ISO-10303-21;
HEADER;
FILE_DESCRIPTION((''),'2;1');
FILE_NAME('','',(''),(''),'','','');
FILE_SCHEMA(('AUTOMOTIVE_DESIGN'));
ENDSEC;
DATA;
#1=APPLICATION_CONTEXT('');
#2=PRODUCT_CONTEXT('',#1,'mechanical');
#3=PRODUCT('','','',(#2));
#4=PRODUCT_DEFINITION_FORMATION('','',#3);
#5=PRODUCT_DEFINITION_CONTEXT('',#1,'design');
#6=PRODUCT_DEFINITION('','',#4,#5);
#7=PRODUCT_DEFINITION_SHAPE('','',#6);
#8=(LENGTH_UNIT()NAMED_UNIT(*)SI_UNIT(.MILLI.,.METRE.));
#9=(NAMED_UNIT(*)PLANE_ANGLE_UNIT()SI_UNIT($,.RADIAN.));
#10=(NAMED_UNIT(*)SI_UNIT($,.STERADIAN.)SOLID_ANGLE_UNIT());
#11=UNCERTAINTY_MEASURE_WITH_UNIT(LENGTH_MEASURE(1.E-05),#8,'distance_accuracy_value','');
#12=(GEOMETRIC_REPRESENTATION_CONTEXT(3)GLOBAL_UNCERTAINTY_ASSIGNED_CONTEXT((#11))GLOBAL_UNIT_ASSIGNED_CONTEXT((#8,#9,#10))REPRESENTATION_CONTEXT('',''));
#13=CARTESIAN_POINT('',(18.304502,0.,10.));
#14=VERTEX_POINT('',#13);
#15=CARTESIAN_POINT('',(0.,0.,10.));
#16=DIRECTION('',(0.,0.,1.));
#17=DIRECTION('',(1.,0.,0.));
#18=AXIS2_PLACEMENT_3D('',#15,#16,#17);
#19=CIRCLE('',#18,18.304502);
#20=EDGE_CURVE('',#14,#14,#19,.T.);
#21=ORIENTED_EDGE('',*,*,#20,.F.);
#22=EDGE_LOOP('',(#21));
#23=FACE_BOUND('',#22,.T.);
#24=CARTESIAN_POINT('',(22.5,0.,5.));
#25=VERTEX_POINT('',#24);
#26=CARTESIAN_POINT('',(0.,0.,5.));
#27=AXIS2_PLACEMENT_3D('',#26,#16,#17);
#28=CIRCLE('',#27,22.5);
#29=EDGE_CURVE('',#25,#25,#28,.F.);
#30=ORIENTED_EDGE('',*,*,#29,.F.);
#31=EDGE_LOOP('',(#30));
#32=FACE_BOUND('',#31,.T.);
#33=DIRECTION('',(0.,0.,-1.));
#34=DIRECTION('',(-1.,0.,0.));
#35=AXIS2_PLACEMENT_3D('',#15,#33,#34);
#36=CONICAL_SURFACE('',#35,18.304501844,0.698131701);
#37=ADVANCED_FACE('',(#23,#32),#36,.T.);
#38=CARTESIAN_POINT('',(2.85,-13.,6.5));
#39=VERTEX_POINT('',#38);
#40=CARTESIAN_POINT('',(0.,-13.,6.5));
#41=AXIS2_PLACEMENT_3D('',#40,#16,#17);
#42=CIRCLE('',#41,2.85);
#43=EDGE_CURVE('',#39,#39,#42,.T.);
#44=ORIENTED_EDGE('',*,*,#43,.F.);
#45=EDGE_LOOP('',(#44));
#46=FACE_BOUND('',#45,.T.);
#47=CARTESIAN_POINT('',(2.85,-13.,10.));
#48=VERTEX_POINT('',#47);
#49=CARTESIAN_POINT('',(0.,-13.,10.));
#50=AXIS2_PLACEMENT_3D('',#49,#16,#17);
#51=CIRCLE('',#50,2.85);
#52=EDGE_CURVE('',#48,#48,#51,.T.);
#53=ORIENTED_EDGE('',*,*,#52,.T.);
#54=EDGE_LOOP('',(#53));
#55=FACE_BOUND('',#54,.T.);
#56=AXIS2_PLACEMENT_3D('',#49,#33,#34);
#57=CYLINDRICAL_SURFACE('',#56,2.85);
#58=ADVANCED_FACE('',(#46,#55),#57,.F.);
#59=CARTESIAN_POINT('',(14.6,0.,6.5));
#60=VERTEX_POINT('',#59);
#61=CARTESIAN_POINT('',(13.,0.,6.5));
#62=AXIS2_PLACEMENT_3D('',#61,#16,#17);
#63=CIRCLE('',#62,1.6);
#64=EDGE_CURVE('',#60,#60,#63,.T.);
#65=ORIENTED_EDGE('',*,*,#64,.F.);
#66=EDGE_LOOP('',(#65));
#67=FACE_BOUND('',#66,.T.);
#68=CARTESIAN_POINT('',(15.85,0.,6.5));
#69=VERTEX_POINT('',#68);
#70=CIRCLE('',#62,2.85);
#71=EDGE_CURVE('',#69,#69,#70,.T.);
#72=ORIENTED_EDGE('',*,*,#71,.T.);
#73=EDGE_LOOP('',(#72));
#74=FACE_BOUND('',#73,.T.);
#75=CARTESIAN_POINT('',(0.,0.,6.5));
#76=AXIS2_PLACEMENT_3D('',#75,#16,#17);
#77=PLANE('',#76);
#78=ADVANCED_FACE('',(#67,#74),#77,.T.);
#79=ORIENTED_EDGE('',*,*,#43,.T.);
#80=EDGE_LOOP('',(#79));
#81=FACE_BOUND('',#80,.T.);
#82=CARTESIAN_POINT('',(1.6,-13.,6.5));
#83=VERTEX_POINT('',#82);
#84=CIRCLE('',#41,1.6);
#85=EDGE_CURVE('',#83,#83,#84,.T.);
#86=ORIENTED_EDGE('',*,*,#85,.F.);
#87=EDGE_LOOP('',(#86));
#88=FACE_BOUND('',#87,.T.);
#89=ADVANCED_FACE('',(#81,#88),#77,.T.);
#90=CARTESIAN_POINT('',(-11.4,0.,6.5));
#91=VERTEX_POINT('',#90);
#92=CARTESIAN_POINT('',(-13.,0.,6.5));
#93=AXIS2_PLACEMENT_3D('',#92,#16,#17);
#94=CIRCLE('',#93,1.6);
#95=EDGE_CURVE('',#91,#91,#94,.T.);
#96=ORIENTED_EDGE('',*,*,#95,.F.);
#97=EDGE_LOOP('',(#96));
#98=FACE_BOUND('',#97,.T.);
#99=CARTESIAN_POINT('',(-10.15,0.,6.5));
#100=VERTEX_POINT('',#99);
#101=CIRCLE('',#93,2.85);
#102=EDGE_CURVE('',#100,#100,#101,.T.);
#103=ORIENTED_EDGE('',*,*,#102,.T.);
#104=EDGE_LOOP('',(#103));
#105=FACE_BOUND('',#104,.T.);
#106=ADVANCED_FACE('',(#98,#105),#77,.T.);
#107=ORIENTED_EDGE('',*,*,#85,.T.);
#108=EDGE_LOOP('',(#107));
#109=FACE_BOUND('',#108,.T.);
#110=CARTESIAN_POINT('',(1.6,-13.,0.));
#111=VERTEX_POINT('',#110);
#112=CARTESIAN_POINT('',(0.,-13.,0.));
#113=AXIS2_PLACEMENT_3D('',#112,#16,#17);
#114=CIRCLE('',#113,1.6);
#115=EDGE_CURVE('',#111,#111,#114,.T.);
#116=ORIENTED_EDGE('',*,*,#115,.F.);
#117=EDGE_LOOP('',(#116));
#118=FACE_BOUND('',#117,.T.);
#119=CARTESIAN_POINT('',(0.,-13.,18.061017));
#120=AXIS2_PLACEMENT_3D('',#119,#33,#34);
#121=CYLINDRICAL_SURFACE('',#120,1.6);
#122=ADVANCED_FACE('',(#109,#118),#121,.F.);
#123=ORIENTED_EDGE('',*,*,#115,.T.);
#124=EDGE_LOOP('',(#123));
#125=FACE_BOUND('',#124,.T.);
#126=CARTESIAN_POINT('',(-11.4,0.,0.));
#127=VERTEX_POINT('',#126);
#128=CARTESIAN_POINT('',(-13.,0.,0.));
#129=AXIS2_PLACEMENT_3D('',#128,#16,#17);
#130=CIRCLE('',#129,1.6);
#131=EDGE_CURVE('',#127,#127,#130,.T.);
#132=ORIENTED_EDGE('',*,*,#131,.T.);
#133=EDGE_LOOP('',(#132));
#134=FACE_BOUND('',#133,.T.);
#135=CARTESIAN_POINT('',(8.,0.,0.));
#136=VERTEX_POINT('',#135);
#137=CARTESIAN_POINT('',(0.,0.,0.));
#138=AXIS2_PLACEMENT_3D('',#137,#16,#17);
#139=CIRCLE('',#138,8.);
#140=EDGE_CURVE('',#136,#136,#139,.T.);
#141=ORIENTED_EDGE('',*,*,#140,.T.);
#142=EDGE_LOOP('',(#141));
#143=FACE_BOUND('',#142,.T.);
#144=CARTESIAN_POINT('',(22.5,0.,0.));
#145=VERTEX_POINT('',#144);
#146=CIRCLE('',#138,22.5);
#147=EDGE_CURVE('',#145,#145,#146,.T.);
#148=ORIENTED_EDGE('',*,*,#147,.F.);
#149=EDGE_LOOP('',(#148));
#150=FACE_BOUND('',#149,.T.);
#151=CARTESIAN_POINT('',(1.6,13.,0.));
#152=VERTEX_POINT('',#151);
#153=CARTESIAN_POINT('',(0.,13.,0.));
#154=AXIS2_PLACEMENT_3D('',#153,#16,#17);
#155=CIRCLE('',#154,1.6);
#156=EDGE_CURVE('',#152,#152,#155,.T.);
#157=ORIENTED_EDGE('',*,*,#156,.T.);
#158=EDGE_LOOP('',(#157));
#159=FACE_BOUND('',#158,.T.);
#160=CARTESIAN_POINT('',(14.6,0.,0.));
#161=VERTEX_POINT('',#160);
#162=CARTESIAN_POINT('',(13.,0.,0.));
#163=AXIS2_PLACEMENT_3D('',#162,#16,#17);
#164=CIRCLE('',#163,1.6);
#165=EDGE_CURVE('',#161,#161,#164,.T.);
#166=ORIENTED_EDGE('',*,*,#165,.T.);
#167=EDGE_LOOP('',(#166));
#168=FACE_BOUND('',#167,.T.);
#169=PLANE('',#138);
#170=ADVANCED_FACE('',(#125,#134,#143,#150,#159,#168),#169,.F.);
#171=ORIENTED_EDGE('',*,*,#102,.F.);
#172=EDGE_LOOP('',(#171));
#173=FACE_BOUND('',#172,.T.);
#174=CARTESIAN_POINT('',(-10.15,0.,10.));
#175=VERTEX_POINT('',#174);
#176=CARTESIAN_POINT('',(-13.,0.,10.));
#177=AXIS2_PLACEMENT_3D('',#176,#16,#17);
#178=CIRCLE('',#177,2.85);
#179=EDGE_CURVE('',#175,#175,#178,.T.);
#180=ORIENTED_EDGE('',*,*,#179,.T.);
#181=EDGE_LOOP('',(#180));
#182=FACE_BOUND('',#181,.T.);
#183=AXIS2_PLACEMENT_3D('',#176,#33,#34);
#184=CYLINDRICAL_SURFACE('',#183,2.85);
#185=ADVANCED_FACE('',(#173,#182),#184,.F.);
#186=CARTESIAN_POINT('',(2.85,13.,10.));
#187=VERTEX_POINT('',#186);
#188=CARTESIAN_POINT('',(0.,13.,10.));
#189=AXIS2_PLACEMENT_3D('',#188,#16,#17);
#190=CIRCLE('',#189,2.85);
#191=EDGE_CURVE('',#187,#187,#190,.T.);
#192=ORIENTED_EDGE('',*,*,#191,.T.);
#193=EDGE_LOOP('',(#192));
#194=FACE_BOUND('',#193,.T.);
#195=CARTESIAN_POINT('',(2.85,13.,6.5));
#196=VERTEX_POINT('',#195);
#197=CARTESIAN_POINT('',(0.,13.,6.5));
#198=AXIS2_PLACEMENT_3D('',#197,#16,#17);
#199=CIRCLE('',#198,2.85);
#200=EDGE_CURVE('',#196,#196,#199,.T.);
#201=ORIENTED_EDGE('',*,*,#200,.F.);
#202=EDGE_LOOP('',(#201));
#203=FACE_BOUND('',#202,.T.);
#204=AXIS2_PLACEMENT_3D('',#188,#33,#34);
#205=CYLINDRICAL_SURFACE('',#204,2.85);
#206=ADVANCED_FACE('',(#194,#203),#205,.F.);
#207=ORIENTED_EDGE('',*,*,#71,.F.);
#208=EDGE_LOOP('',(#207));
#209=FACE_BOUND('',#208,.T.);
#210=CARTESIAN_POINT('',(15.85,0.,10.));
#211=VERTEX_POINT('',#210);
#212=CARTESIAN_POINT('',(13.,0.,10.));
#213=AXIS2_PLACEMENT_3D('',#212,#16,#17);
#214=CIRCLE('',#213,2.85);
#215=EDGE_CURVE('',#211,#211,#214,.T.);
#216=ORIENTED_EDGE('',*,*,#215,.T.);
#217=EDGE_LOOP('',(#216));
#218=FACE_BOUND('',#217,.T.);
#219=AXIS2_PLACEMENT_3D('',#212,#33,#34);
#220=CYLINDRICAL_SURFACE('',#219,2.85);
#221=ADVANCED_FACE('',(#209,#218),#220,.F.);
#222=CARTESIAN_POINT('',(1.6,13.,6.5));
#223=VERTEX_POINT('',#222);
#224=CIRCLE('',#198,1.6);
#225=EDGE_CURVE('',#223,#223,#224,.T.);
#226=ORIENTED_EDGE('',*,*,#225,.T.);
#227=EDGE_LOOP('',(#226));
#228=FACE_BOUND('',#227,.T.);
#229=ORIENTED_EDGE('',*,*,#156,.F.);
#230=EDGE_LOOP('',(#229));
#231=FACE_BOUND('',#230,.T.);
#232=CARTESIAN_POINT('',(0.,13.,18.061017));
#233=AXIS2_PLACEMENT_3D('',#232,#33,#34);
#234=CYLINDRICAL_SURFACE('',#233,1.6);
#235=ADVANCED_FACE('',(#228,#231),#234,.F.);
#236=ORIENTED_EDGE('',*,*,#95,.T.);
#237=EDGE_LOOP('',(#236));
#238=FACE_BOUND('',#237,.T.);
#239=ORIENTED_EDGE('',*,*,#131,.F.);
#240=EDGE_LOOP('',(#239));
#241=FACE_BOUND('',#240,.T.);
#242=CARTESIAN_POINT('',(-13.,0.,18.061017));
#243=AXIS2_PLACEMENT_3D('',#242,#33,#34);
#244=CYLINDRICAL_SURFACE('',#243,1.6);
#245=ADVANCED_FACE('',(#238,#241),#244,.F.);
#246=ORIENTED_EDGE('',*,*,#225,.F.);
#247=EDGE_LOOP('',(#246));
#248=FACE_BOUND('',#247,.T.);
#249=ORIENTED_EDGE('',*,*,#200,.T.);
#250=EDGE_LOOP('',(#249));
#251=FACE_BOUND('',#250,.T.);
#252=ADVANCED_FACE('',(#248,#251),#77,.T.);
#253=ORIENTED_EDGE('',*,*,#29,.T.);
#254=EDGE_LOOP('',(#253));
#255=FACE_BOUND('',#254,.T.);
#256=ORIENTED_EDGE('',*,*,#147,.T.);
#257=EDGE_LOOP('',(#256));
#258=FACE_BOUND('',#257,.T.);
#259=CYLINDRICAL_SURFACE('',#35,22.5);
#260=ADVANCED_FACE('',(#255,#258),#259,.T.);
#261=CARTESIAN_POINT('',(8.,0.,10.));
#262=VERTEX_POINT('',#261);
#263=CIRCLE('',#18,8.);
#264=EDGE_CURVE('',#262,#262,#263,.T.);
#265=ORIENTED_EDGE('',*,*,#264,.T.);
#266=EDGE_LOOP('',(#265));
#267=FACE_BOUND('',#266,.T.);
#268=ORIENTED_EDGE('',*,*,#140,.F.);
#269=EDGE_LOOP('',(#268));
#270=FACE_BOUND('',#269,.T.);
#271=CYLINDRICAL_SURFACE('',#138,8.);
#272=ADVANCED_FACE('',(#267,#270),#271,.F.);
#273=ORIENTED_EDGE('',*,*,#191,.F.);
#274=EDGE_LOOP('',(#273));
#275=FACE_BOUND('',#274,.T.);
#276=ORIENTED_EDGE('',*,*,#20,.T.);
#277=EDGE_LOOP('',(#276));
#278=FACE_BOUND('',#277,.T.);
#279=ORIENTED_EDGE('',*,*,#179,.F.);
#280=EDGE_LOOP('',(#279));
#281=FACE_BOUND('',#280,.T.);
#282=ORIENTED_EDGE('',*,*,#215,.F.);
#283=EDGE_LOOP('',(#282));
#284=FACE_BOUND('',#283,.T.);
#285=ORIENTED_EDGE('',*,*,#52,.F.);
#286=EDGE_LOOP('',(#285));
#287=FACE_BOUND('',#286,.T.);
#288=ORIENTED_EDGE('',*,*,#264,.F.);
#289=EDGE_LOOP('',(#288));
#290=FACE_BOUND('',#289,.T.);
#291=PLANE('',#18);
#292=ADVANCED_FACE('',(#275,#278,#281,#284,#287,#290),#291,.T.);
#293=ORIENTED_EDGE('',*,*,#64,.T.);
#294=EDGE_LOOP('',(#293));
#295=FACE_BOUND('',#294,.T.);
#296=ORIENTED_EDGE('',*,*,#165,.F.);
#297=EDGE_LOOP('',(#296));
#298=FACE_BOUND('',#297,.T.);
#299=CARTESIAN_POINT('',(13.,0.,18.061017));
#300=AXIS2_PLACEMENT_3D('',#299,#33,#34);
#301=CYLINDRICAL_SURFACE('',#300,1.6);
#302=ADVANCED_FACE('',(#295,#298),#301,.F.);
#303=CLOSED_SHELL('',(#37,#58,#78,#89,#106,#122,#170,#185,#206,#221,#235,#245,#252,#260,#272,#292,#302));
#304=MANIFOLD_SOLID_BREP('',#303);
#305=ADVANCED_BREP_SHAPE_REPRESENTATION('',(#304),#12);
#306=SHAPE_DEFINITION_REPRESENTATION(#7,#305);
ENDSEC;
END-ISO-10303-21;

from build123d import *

# Parameters (mm, degrees)
SKETCH1_R               = 22.5
SKETCH1_R_2             = 2.85
BOSS_EXTRUDE1_DEPTH     = 10
SKETCH1_3_R             = 2.85
SKETCH1_3_R_2           = 1.6
BOSS_EXTRUDE2_DEPTH     = 6.5
CHAMFER1_SIZE           = 5
CHAMFER1_SIZE2          = 4.195498156
SKETCH2_R               = 8
CUT_EXTRUDE1_DEPTH      = 1
CUT_EXTRUDE1_DEPTH_BACK = 11


with BuildPart() as part:
    # Sketch1 → Boss-Extrude1 (new body)
    with BuildSketch(Plane(origin=(0, 0, 0), x_dir=(0, 1, 0), z_dir=(0, 0, 1))):
        Circle(SKETCH1_R)
        with Locations((-13, 0)):
            Circle(SKETCH1_R_2, mode=Mode.SUBTRACT)
        with Locations((0, -13)):
            Circle(SKETCH1_R_2, mode=Mode.SUBTRACT)
        with Locations((13, 0)):
            Circle(SKETCH1_R_2, mode=Mode.SUBTRACT)
        with Locations((0, 13)):
            Circle(SKETCH1_R_2, mode=Mode.SUBTRACT)
    extrude(amount=BOSS_EXTRUDE1_DEPTH)

    # Sketch1<3> → Boss-Extrude2 (add)
    with BuildSketch(Plane(origin=(0, 0, 0), x_dir=(0, 1, 0), z_dir=(0, 0, 1))):
        with Locations((-13, 0)):
            Circle(SKETCH1_3_R)
        with Locations((-13, 0)):
            Circle(SKETCH1_3_R_2, mode=Mode.SUBTRACT)
        with Locations((0, 13)):
            Circle(SKETCH1_3_R)
        with Locations((0, 13)):
            Circle(SKETCH1_3_R_2, mode=Mode.SUBTRACT)
        with Locations((13, 0)):
            Circle(SKETCH1_3_R)
        with Locations((13, 0)):
            Circle(SKETCH1_3_R_2, mode=Mode.SUBTRACT)
        with Locations((0, -13)):
            Circle(SKETCH1_3_R)
        with Locations((0, -13)):
            Circle(SKETCH1_3_R_2, mode=Mode.SUBTRACT)
    extrude(amount=BOSS_EXTRUDE2_DEPTH)

    # Chamfer1
    chamfer1_edges = [part.edges().sort_by_distance(p)[0] for p in [
        (0, -22.5, 10),
    ]]
    chamfer1_side = [part.faces().sort_by_distance(p)[0] for p in [
        (0, -22.5, 5),
    ]]
    chamfer(chamfer1_edges, length=CHAMFER1_SIZE, length2=CHAMFER1_SIZE2, reference=chamfer1_side[0])

    # Sketch2 → Cut-Extrude1 (cut, two sides)
    with BuildSketch(Plane.XY.offset(10)) as cut_extrude1_sk:
        Circle(SKETCH2_R)
    extrude(amount=CUT_EXTRUDE1_DEPTH, mode=Mode.SUBTRACT)
    extrude(cut_extrude1_sk.sketch, amount=-CUT_EXTRUDE1_DEPTH_BACK, mode=Mode.SUBTRACT)


solid = part.part
